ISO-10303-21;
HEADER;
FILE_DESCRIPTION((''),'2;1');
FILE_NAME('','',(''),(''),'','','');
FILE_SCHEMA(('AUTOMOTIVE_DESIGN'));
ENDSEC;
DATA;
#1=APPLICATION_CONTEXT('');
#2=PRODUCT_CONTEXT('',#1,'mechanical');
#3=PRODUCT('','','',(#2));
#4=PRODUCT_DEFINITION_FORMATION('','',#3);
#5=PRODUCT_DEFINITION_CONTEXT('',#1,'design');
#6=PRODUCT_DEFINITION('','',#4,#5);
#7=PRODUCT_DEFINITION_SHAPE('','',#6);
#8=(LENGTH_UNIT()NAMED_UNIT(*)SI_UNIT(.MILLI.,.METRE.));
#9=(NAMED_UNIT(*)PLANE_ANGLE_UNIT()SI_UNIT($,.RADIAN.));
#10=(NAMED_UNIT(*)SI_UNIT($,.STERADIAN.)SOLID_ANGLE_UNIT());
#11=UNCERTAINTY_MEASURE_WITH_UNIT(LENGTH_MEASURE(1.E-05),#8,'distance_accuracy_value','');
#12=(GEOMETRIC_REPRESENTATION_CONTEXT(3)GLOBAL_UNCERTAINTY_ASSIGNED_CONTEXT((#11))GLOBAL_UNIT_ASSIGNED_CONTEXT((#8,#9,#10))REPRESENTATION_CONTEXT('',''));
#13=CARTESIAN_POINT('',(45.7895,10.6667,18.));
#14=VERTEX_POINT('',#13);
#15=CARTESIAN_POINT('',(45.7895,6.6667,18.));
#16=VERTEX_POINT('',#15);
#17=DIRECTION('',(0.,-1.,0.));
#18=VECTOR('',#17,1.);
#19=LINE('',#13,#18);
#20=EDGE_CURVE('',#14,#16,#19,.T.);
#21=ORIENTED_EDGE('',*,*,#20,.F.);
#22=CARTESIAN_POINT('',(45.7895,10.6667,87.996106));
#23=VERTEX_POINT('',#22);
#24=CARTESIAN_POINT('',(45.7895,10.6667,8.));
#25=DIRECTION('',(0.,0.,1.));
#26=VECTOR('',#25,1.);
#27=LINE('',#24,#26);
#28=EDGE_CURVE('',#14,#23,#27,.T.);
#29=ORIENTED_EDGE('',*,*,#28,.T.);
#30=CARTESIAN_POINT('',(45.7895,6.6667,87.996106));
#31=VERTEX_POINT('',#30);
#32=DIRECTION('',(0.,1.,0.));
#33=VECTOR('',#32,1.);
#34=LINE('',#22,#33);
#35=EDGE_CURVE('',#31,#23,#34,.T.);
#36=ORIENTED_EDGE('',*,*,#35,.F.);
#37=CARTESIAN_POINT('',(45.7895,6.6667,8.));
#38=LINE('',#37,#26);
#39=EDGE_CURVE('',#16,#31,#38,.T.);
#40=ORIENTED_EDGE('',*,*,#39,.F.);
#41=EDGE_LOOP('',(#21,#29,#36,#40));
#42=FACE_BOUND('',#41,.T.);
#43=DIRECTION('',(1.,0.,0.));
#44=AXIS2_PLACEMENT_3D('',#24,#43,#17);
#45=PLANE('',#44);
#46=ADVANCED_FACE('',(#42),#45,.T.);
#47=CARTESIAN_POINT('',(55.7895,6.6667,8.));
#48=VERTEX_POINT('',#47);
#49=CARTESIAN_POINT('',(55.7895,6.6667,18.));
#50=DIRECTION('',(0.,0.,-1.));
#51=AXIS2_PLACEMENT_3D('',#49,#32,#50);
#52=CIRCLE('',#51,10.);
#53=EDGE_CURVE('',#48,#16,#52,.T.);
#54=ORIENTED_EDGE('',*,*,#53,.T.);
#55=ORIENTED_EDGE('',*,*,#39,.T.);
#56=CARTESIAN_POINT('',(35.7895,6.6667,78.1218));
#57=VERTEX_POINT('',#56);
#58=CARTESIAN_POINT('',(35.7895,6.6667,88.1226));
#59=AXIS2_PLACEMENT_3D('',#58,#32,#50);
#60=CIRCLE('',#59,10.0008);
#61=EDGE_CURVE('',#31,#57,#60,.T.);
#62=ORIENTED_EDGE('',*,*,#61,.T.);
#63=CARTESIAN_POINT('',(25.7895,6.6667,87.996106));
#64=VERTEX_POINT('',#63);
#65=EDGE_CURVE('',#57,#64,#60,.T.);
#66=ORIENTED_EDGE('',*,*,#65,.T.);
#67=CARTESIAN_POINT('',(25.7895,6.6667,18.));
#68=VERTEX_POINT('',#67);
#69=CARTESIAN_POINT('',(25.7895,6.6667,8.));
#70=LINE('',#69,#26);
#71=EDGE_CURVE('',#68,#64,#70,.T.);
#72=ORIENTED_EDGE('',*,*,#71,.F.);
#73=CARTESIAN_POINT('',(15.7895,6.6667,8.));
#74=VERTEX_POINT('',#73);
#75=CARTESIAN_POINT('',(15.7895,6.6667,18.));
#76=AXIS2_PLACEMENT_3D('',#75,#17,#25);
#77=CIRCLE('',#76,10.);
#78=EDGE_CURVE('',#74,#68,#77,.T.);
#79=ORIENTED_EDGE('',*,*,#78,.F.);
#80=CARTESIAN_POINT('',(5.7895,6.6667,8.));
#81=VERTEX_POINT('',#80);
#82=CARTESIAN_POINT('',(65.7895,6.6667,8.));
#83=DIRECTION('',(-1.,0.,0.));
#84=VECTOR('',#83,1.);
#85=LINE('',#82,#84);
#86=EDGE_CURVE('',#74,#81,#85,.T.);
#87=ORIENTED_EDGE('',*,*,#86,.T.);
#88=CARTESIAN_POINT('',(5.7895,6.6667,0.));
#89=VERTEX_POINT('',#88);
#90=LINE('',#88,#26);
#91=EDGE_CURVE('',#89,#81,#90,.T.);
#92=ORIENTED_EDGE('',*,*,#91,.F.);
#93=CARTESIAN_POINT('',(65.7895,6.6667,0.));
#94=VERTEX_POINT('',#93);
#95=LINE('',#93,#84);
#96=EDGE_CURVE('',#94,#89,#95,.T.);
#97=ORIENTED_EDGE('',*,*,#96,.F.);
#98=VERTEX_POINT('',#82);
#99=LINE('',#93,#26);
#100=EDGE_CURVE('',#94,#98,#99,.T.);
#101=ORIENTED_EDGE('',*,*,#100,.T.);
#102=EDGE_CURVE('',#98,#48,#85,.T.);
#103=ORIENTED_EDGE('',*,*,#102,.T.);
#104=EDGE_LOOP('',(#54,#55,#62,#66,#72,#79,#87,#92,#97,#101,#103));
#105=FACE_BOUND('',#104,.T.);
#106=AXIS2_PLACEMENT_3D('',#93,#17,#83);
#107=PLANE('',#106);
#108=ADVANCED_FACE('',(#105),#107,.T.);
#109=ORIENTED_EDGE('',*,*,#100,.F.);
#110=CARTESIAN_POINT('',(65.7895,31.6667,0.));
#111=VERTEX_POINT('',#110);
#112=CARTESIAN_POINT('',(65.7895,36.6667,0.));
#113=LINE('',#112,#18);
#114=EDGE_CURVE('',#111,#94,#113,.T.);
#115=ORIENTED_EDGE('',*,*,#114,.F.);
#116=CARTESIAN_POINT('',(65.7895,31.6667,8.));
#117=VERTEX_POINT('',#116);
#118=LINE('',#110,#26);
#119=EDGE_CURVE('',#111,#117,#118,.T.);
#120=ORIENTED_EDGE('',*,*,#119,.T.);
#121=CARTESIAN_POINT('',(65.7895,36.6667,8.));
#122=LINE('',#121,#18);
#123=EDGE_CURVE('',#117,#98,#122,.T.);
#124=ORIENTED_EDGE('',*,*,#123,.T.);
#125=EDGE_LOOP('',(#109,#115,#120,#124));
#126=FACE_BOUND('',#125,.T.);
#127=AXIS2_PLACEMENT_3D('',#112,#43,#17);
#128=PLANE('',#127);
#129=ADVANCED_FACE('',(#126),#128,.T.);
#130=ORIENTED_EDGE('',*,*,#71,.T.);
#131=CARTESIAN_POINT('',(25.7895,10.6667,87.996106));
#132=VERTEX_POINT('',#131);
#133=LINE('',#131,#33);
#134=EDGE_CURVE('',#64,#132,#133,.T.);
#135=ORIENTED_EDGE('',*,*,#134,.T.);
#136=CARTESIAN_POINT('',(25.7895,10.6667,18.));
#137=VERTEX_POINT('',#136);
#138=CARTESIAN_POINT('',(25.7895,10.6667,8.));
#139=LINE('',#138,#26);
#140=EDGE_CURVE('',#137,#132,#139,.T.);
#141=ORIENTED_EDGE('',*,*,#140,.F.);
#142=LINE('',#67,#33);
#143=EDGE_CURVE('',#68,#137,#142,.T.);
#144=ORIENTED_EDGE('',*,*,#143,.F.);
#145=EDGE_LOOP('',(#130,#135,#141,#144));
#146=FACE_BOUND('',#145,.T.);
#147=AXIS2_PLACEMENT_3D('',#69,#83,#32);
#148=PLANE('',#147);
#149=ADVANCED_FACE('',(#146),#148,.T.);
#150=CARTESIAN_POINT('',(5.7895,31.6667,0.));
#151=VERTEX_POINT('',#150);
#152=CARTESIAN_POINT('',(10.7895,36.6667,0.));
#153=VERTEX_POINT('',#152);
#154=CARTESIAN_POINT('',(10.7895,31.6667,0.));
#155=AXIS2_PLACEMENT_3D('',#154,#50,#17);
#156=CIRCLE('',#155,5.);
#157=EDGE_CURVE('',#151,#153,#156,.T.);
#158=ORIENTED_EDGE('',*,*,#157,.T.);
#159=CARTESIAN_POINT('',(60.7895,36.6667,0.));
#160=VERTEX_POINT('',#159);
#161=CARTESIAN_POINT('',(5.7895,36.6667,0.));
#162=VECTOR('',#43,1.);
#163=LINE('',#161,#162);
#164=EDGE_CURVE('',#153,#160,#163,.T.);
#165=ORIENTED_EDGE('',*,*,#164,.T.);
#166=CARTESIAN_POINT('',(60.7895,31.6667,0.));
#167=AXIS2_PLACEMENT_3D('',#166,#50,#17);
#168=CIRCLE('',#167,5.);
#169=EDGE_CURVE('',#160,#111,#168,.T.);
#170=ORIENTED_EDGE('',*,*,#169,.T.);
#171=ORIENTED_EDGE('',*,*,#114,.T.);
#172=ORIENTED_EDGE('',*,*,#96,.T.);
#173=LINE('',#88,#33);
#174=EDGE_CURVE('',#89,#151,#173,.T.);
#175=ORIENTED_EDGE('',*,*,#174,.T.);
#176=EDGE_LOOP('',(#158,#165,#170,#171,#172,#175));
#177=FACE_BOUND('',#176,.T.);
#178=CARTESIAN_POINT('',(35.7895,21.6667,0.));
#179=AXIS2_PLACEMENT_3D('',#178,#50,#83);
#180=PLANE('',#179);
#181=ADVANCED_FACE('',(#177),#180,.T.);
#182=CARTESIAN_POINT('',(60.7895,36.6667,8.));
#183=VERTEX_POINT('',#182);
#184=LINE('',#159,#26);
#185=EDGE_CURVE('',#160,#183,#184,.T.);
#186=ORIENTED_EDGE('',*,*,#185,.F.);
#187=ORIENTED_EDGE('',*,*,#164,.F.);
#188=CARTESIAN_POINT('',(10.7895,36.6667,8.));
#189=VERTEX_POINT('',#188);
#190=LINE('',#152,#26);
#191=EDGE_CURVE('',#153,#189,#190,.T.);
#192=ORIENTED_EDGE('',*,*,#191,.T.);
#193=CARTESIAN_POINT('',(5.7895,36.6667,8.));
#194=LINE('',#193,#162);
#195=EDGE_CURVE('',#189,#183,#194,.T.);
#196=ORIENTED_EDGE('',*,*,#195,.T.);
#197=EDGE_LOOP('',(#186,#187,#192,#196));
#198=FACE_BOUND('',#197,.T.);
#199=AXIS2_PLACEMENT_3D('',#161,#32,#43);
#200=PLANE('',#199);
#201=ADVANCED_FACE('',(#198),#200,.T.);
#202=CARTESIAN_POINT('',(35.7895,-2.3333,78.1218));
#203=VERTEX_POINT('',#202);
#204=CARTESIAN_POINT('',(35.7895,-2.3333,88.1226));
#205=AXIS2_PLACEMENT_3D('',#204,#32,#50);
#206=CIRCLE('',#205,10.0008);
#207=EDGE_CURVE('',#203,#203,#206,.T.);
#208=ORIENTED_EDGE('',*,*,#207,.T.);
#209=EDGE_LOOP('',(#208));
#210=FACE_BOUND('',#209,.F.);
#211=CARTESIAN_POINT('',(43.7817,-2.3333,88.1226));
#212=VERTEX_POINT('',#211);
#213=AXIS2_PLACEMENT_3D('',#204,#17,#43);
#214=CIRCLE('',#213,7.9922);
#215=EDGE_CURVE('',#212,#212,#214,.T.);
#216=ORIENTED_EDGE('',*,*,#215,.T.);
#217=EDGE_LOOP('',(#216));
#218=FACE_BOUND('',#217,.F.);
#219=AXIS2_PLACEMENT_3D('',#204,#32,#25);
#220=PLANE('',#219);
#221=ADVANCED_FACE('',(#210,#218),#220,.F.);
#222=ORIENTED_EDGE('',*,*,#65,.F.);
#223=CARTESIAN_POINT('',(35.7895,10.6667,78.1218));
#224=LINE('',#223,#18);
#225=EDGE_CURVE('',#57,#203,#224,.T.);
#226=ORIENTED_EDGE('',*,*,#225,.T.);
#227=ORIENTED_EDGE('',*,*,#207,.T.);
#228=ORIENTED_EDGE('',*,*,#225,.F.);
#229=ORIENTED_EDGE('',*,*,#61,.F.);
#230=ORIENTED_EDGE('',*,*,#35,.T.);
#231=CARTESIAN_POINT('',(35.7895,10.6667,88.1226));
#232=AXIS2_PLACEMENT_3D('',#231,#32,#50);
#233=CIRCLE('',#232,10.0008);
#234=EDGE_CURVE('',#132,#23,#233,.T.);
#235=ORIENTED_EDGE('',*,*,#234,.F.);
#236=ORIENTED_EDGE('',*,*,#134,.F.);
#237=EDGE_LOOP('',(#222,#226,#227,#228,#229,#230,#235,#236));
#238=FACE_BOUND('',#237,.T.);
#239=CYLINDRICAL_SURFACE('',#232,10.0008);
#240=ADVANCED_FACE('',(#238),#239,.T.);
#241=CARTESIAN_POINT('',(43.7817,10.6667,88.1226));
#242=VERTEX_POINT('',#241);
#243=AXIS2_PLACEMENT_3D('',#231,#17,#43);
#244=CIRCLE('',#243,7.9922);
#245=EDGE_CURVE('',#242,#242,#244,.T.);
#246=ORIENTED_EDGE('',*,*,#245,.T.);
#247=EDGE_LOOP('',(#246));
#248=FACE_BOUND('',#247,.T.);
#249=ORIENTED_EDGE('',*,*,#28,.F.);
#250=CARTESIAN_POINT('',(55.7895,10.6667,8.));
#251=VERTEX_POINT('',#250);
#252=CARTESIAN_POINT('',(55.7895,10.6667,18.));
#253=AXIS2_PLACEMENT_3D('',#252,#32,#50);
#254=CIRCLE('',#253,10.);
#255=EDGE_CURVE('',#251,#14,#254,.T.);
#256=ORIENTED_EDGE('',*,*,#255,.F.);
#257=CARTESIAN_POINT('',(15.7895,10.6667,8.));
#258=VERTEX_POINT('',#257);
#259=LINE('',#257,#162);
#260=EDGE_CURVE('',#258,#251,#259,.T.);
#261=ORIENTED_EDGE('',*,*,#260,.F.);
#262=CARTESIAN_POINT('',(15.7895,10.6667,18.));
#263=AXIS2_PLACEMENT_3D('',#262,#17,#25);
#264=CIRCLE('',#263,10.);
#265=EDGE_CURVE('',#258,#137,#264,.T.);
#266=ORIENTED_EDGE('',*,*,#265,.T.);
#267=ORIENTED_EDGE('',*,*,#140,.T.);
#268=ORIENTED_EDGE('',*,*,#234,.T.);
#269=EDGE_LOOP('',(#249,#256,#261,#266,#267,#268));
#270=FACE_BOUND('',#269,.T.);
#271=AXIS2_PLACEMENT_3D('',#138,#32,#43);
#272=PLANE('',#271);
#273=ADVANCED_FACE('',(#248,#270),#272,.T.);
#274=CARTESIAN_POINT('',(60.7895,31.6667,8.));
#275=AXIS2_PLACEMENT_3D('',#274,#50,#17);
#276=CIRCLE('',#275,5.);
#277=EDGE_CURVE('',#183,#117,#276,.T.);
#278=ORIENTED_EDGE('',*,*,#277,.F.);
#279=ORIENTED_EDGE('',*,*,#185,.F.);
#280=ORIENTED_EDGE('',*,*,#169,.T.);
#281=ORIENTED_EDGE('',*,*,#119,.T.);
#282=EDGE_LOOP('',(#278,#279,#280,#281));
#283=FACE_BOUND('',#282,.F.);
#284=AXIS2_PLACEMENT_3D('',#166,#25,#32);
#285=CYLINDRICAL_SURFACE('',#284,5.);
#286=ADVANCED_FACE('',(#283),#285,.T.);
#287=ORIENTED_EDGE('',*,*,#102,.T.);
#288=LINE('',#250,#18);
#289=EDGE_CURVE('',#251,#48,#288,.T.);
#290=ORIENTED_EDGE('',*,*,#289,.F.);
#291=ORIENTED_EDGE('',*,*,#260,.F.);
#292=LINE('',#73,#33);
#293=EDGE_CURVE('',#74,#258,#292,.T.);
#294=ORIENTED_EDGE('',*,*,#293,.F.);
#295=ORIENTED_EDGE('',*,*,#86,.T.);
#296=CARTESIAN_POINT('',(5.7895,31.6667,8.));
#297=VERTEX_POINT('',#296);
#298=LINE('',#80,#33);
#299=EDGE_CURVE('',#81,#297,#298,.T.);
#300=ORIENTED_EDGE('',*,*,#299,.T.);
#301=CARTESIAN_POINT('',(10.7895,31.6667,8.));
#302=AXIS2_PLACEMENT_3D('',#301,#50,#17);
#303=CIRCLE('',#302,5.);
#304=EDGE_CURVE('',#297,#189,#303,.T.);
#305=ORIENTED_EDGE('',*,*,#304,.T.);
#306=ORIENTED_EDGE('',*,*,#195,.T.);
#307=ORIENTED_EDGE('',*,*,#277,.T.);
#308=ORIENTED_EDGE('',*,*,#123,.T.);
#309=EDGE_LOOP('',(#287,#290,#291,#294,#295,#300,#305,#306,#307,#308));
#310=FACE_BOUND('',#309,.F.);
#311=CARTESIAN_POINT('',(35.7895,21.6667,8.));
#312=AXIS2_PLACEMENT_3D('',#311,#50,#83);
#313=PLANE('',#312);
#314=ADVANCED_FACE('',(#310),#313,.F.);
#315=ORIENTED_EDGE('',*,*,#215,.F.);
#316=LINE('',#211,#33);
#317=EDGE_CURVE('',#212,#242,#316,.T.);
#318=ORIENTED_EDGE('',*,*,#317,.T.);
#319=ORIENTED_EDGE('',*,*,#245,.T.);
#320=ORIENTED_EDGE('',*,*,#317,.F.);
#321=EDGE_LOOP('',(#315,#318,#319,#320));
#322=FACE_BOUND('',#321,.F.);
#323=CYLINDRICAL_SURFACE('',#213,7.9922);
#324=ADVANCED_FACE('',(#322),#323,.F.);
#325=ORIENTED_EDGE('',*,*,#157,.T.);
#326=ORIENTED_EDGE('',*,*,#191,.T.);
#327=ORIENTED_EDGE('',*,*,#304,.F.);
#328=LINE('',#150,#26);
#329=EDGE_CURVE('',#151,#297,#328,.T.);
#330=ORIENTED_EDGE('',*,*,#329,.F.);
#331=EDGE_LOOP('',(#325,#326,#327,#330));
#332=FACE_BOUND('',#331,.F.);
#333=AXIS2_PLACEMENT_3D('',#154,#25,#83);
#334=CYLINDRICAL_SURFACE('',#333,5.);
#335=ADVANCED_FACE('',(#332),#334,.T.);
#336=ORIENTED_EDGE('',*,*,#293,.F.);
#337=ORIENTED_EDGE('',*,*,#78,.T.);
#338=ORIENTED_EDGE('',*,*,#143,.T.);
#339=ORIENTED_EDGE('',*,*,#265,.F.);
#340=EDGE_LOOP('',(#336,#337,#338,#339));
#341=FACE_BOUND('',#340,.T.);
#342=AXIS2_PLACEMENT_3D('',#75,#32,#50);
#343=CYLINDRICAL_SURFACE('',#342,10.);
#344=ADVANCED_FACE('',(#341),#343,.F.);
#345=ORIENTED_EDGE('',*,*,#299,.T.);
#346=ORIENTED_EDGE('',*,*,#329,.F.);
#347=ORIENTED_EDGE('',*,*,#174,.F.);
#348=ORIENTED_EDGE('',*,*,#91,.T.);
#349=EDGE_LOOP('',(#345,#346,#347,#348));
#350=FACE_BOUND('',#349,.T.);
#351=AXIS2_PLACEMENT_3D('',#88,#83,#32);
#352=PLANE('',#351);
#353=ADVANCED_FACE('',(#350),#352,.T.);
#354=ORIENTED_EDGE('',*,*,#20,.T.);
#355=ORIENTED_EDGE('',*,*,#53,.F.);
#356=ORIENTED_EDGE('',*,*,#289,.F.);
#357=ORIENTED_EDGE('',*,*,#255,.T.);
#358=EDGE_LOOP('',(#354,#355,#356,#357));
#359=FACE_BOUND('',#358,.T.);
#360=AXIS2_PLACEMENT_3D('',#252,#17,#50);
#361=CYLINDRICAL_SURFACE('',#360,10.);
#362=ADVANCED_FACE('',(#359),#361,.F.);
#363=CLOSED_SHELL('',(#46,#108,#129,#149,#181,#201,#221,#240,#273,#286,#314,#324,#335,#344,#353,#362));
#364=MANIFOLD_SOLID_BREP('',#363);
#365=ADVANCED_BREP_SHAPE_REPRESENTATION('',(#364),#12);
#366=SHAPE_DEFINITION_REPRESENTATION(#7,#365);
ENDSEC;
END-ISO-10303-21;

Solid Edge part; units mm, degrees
sketch "Sketch1" plane through (0, 0, 0) normal (0, 0, 1) x (1, 0, 0)
  line L0 (5.7895, 6.6667) -> (5.7895, 36.6667)
  line L1 (5.7895, 36.6667) -> (65.7895, 36.6667)
  line L2 (65.7895, 36.6667) -> (65.7895, 6.6667)
  line L3 (65.7895, 6.6667) -> (5.7895, 6.6667)
  dimension "D1" = 60
  dimension "D2" = 30
extrude "Protrusion1" add sketch "Sketch1" along normal blind 8
fillet "Round_1" radius 5 2 edges at (65.7895, 36.6667, 4) (5.7895, 36.6667, 4)
sketch "Sketch2" plane through (35.7895, 21.6667, 8) normal (0, 0, 1) x (0, 1, 0)
  line L0 (-15, 10) -> (-11, 10)
  line L1 (-11, 10) -> (-11, -10)
  line L2 (-11, -10) -> (-15, -10)
  line L3 (-15, -10) -> (-15, 10)
  dimension "D1" = 20
  dimension "D2" = 20
extrude "ExtrudedProtrusion_3" add sketch "Sketch2" along normal blind 80
sketch "Sketch3" plane through (35.7895, 10.6667, 48) normal (0, 1, 0) x (0, 0, -1)
  circle A0 centre (-40.1226, 0) radius 10.0008
extrude "ExtrudedProtrusion_4" add sketch "Sketch3" against normal blind 13
fillet "Round_4" radius 10 2 edges at (45.7895, 8.6667, 8) (25.7895, 8.6667, 8)
sketch "Sketch4" plane through (35.7895, -2.3333, 88.1226) normal (0, -1, 0) x (1, 0, 0)
  circle A0 centre (0, 0) radius 7.9922
extrude "Cutout1" cut sketch "Sketch4" against normal through all
